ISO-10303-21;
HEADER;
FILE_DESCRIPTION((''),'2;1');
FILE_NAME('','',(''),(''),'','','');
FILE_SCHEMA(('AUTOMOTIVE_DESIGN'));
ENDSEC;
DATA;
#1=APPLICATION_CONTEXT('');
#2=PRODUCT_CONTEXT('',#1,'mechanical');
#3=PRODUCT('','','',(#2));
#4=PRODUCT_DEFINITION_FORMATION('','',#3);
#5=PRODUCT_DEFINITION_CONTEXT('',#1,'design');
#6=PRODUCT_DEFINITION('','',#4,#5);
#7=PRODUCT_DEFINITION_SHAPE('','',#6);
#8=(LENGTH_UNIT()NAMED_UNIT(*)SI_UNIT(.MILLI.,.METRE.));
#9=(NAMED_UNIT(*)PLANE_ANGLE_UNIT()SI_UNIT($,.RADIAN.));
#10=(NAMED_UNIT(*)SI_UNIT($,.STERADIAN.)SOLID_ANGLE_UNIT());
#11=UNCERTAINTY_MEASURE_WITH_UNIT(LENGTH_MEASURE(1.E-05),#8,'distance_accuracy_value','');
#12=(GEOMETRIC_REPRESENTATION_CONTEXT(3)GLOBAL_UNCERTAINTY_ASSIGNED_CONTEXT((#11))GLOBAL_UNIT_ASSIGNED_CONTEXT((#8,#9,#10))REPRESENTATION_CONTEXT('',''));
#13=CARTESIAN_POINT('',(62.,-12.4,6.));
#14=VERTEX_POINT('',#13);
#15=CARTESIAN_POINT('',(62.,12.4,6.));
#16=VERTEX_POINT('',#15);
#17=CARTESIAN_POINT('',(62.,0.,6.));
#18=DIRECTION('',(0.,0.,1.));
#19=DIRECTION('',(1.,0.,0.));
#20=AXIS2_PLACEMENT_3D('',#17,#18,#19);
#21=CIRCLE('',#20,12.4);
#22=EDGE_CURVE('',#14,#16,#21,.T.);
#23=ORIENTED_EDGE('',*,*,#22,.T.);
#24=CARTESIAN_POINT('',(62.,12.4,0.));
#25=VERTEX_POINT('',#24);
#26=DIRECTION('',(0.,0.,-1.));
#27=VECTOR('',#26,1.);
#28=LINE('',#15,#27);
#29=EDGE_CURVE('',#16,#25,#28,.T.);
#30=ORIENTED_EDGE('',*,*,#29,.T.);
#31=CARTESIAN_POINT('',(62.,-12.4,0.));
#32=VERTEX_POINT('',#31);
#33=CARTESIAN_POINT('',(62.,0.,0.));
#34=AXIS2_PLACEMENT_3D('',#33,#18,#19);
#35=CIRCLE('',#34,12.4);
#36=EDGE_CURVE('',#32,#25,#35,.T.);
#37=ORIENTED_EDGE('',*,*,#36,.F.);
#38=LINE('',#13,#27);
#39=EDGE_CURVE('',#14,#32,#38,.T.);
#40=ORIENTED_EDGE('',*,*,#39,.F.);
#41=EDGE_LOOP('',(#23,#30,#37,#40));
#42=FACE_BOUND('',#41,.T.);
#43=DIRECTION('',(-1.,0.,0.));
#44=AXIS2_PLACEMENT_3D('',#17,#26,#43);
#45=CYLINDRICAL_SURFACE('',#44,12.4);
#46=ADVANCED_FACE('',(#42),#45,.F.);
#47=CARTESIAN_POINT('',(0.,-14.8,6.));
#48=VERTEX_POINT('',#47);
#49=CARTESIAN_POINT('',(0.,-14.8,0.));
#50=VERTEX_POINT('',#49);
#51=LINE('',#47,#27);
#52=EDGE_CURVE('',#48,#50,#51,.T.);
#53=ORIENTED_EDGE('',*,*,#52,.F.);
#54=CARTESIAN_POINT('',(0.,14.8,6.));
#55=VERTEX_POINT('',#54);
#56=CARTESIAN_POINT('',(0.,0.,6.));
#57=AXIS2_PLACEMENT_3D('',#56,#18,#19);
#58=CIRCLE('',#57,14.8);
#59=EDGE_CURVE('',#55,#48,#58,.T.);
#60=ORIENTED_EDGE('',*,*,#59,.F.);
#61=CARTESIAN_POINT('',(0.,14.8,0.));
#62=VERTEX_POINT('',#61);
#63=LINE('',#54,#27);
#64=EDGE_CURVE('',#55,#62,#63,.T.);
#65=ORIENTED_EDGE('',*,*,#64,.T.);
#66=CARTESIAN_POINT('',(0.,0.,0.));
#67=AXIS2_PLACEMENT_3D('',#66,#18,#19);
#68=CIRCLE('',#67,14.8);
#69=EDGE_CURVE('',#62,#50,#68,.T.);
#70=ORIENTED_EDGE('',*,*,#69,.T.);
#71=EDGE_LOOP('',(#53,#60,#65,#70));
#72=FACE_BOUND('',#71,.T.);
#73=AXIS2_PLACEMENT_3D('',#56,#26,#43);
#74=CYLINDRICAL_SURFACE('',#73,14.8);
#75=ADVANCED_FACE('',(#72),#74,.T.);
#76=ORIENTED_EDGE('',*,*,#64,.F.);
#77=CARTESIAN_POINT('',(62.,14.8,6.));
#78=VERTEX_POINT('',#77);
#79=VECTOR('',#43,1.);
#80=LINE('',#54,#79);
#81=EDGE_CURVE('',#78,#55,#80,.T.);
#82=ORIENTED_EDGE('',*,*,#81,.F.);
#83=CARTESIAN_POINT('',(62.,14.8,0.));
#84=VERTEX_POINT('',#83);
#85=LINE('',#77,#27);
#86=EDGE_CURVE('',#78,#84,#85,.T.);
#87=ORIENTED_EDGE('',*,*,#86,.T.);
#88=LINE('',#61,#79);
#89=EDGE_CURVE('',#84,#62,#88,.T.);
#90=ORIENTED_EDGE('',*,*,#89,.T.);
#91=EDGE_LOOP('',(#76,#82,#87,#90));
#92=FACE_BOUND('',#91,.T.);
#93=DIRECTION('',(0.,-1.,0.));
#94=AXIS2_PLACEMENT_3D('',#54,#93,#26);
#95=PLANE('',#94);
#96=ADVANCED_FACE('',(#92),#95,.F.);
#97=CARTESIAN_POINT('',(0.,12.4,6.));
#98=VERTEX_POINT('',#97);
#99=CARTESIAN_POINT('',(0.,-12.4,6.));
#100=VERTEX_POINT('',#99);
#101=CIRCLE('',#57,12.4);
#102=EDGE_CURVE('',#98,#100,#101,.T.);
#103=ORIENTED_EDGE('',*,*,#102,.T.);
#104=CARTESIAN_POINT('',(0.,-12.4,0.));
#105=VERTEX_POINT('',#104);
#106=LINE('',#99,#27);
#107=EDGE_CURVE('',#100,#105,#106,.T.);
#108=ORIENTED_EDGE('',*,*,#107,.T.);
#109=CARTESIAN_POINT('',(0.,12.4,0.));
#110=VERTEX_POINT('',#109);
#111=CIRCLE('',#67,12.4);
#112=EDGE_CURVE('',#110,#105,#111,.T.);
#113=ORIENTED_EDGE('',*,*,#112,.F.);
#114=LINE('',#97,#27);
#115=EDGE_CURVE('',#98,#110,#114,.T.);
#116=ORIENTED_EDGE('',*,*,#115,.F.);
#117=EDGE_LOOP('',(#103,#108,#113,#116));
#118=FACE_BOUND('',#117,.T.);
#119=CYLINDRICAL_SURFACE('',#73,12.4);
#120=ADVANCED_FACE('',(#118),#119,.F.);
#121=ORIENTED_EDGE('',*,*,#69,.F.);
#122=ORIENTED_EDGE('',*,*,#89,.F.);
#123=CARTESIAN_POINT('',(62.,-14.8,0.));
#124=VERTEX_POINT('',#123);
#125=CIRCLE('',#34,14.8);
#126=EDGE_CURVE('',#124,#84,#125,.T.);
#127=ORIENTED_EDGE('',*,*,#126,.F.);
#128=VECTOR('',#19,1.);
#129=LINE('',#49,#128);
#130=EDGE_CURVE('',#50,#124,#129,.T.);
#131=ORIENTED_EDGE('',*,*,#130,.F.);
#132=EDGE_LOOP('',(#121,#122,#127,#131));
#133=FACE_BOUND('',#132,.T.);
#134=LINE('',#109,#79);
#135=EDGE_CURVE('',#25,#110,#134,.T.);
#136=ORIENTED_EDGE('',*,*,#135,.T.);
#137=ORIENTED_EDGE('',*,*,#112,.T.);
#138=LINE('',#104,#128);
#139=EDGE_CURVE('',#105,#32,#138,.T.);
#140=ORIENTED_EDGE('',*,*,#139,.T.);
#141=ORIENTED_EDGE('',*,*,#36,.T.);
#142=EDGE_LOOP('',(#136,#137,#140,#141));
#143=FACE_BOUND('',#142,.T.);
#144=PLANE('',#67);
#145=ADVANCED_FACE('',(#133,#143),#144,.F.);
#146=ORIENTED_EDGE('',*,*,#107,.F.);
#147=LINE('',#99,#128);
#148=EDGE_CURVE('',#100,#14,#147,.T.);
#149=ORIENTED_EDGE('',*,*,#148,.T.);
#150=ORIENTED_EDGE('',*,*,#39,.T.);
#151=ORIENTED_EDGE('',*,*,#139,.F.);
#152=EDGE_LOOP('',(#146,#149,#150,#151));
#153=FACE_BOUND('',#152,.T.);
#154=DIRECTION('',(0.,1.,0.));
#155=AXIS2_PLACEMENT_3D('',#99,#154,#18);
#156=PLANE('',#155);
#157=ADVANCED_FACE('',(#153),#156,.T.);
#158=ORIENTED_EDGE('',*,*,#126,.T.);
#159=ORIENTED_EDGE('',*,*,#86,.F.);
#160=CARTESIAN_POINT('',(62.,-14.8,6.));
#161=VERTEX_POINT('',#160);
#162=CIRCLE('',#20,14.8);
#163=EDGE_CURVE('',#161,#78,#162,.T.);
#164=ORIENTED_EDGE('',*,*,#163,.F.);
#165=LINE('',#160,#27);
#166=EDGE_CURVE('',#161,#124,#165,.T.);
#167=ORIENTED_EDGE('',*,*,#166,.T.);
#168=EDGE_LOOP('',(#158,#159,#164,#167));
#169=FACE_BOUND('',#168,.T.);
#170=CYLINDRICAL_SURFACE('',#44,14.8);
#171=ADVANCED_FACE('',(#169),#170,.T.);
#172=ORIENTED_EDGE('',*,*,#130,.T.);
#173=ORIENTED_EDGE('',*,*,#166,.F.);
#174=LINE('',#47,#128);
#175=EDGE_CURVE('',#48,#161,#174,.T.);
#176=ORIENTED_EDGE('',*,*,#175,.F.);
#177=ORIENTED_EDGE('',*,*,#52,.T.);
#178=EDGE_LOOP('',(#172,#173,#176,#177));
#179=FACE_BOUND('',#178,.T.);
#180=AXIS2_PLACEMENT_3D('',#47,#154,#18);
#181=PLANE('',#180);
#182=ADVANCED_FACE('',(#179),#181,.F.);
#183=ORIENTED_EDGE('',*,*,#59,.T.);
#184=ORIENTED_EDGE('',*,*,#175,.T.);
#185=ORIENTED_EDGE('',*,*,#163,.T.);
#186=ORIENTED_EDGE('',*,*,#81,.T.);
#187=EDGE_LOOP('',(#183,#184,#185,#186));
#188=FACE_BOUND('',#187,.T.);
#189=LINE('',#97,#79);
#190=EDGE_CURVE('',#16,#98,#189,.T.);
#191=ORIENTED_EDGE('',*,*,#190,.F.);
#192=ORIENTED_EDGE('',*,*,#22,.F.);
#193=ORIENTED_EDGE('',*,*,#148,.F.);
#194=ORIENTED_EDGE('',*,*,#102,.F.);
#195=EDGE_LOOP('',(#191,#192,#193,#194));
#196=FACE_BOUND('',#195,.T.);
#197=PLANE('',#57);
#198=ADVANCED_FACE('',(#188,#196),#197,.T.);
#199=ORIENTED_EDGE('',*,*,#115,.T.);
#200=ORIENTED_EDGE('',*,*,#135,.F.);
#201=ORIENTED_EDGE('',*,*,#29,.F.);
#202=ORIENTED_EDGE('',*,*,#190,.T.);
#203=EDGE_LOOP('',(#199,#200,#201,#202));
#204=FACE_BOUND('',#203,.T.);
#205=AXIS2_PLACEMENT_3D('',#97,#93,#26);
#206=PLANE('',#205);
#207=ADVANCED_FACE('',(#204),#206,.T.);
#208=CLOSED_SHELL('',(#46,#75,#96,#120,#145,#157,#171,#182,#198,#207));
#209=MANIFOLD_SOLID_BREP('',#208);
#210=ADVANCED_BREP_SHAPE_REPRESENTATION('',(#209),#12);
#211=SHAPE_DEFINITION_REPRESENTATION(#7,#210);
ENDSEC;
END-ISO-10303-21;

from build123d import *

# Parameters (mm, degrees)
BOSS_EXTRU_1_DEPTH = 6


with BuildPart() as part:
    # Esquisse1 → Boss.-Extru.1 (new body)
    with BuildSketch(Plane.XY):
        with BuildLine():
            Line((0, 14.8), (62, 14.8))
            ThreePointArc((62, 14.8), (76.8, 0), (62, -14.8))
            Line((62, -14.8), (0, -14.8))
            ThreePointArc((0, -14.8), (-14.8, 0), (0, 14.8))
        make_face()
        with BuildLine():
            Line((0, 12.4), (62, 12.4))
            ThreePointArc((62, 12.4), (74.4, 0), (62, -12.4))
            Line((62, -12.4), (0, -12.4))
            ThreePointArc((0, -12.4), (-12.4, 0), (0, 12.4))
        make_face(mode=Mode.SUBTRACT)
    extrude(amount=BOSS_EXTRU_1_DEPTH)


solid = part.part
